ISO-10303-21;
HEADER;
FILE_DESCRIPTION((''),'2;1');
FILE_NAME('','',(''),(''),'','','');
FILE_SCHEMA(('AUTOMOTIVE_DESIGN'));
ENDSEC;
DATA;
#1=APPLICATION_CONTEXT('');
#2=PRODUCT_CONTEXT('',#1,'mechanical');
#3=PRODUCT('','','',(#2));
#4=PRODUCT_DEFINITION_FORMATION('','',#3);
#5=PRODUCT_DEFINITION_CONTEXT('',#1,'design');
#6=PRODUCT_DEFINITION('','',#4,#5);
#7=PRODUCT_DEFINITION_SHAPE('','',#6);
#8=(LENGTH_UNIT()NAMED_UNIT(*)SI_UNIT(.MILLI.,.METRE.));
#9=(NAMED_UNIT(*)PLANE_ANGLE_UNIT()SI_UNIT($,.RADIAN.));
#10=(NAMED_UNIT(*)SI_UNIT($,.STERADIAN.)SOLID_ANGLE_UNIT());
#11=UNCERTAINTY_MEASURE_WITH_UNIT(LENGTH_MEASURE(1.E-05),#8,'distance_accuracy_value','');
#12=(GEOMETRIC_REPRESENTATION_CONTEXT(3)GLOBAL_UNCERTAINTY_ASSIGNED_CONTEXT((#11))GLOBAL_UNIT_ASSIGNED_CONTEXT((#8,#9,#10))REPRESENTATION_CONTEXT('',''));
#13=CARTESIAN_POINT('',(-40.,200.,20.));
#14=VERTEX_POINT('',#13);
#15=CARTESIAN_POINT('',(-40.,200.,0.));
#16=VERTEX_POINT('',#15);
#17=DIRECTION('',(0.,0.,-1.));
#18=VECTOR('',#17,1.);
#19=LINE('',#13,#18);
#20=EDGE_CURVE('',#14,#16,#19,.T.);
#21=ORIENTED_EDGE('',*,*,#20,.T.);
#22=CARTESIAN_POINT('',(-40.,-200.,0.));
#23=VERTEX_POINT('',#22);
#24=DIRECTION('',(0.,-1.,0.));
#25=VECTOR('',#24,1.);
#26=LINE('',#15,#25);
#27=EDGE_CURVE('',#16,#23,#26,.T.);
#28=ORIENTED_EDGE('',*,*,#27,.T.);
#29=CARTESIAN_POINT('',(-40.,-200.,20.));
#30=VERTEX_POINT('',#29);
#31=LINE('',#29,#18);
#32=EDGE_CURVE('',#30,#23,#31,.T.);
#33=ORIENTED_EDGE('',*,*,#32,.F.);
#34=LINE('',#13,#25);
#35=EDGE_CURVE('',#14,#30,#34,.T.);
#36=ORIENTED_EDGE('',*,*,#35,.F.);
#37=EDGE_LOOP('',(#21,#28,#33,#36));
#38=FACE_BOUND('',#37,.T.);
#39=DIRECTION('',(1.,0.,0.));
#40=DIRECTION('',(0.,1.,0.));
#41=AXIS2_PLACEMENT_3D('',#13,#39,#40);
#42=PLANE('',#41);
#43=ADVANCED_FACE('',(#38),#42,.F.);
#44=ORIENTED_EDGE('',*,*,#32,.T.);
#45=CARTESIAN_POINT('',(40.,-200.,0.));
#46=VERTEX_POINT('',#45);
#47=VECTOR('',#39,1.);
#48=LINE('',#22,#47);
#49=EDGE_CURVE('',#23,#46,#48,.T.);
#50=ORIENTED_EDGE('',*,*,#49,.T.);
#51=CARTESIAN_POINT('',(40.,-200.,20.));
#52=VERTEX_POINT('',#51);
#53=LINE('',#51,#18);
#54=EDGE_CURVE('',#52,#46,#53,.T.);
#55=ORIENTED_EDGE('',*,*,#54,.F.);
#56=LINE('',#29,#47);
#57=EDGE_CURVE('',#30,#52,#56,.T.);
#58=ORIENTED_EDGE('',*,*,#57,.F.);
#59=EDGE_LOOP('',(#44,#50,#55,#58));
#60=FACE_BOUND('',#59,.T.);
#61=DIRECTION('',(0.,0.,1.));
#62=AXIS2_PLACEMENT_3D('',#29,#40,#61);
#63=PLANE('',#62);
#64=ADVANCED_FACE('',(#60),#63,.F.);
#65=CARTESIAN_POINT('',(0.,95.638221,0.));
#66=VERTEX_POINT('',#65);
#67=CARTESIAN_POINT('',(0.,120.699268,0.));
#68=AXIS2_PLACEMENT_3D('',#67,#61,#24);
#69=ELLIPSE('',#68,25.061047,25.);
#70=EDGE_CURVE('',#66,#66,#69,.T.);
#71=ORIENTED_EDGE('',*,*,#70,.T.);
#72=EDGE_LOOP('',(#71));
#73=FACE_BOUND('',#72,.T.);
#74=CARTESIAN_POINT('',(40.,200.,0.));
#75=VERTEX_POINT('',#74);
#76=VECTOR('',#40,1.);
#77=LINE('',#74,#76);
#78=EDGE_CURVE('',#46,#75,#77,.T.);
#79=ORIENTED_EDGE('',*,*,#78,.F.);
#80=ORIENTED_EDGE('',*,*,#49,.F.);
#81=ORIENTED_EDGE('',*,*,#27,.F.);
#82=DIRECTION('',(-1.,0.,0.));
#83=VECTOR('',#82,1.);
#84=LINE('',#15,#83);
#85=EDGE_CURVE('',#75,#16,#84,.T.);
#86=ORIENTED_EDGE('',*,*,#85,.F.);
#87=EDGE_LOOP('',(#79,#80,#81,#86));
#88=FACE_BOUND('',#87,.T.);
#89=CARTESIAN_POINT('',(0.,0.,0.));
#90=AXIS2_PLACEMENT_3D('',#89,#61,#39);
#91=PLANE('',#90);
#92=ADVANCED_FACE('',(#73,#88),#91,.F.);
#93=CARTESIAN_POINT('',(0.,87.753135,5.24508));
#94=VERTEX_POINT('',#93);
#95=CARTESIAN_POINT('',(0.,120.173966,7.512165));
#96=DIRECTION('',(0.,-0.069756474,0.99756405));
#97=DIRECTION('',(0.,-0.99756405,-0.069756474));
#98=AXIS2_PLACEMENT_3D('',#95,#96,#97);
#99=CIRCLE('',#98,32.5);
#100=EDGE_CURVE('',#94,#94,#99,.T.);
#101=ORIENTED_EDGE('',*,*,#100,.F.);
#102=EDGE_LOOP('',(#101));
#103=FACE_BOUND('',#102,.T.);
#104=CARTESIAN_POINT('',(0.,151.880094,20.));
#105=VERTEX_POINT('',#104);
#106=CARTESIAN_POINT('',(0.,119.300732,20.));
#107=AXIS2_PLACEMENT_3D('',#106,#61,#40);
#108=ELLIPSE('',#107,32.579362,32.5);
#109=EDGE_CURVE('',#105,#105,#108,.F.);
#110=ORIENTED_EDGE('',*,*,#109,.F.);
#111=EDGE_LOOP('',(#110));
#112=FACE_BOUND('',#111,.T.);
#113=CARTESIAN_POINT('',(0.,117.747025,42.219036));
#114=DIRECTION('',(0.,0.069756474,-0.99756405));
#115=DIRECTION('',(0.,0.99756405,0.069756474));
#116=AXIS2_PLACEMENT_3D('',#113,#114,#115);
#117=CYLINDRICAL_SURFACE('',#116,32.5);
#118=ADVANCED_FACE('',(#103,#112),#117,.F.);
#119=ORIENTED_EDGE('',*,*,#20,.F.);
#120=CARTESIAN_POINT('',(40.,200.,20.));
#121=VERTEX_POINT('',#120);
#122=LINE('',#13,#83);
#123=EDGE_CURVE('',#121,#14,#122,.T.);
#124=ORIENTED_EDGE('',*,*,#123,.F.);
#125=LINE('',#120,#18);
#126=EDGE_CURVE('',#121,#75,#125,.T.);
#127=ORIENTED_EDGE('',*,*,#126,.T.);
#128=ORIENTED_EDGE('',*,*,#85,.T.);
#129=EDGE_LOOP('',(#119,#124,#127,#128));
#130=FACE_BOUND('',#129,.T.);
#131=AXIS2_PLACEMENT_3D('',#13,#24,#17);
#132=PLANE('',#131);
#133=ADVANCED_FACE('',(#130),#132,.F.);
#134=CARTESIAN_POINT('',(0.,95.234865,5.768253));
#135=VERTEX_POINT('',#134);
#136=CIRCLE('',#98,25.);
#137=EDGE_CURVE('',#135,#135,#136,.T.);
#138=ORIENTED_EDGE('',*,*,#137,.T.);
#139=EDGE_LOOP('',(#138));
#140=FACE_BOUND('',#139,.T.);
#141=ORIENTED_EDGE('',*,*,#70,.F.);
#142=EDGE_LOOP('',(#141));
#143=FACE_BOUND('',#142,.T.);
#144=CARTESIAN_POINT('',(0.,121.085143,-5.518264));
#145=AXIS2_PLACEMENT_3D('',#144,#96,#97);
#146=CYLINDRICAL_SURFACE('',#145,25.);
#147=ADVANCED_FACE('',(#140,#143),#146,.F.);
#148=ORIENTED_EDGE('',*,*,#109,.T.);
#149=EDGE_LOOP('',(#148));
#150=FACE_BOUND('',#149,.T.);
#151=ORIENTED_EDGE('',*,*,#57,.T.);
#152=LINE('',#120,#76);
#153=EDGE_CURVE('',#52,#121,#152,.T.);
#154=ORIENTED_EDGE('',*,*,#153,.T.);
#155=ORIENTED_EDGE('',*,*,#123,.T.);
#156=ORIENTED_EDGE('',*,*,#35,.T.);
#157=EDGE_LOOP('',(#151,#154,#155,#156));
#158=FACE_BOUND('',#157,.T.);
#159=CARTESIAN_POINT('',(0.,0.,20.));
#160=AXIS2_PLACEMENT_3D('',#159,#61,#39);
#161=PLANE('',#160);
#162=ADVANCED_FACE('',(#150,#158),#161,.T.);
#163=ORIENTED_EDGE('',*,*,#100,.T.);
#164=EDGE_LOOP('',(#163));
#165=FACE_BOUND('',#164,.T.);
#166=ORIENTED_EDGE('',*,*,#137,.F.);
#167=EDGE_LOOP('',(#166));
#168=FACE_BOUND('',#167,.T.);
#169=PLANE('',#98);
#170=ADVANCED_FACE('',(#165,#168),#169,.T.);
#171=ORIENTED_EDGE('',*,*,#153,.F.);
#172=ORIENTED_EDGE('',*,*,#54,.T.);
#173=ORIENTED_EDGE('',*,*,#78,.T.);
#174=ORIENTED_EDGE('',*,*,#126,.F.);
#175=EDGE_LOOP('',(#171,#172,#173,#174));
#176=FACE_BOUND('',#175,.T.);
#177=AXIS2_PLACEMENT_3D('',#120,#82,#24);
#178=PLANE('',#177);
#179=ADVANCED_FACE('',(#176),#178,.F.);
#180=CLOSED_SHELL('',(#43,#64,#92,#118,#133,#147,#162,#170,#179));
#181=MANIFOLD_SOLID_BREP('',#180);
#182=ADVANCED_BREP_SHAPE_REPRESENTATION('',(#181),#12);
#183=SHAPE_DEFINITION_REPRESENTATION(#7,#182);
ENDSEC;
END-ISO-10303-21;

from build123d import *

# Parameters (mm, degrees)
SKETCH1_W           = 80
SKETCH1_H           = 400
BOSS_EXTRUDE1_DEPTH = 20
SKETCH4_R           = 32.5
CUT_EXTRUDE4_DEPTH  = 206.087962432
SKETCH6_R           = 25
CUT_EXTRUDE6_DEPTH  = 206.087962432


with BuildPart() as part:
    # Sketch1 → Boss-Extrude1 (new body)
    with BuildSketch(Plane.XY):
        Rectangle(SKETCH1_W, SKETCH1_H)
    extrude(amount=BOSS_EXTRUDE1_DEPTH)

    # Sketch4 → Cut-Extrude4 (cut, through all)
    with BuildSketch(Plane(origin=(0, 0.062016747, -0.8868808), x_dir=(1, 0, 0), z_dir=(0, -0.06975647374412192, 0.9975640502598245))):
        with Locations(Location((0, 120.405250769, 0), (0, 0, 90))):
            Circle(SKETCH4_R)
    extrude(amount=CUT_EXTRUDE4_DEPTH, mode=Mode.SUBTRACT)

    # Sketch6 → Cut-Extrude6 (cut, through all)
    with BuildSketch(Plane(origin=(0, 0.062016747, -0.8868808), x_dir=(1, 0, 0), z_dir=(0, -0.06975647374412192, 0.9975640502598246))):
        with Locations(Location((0, 120.405250769, 0), (0, 0, 270))):
            Circle(SKETCH6_R)
    extrude(amount=-CUT_EXTRUDE6_DEPTH, mode=Mode.SUBTRACT)


solid = part.part
